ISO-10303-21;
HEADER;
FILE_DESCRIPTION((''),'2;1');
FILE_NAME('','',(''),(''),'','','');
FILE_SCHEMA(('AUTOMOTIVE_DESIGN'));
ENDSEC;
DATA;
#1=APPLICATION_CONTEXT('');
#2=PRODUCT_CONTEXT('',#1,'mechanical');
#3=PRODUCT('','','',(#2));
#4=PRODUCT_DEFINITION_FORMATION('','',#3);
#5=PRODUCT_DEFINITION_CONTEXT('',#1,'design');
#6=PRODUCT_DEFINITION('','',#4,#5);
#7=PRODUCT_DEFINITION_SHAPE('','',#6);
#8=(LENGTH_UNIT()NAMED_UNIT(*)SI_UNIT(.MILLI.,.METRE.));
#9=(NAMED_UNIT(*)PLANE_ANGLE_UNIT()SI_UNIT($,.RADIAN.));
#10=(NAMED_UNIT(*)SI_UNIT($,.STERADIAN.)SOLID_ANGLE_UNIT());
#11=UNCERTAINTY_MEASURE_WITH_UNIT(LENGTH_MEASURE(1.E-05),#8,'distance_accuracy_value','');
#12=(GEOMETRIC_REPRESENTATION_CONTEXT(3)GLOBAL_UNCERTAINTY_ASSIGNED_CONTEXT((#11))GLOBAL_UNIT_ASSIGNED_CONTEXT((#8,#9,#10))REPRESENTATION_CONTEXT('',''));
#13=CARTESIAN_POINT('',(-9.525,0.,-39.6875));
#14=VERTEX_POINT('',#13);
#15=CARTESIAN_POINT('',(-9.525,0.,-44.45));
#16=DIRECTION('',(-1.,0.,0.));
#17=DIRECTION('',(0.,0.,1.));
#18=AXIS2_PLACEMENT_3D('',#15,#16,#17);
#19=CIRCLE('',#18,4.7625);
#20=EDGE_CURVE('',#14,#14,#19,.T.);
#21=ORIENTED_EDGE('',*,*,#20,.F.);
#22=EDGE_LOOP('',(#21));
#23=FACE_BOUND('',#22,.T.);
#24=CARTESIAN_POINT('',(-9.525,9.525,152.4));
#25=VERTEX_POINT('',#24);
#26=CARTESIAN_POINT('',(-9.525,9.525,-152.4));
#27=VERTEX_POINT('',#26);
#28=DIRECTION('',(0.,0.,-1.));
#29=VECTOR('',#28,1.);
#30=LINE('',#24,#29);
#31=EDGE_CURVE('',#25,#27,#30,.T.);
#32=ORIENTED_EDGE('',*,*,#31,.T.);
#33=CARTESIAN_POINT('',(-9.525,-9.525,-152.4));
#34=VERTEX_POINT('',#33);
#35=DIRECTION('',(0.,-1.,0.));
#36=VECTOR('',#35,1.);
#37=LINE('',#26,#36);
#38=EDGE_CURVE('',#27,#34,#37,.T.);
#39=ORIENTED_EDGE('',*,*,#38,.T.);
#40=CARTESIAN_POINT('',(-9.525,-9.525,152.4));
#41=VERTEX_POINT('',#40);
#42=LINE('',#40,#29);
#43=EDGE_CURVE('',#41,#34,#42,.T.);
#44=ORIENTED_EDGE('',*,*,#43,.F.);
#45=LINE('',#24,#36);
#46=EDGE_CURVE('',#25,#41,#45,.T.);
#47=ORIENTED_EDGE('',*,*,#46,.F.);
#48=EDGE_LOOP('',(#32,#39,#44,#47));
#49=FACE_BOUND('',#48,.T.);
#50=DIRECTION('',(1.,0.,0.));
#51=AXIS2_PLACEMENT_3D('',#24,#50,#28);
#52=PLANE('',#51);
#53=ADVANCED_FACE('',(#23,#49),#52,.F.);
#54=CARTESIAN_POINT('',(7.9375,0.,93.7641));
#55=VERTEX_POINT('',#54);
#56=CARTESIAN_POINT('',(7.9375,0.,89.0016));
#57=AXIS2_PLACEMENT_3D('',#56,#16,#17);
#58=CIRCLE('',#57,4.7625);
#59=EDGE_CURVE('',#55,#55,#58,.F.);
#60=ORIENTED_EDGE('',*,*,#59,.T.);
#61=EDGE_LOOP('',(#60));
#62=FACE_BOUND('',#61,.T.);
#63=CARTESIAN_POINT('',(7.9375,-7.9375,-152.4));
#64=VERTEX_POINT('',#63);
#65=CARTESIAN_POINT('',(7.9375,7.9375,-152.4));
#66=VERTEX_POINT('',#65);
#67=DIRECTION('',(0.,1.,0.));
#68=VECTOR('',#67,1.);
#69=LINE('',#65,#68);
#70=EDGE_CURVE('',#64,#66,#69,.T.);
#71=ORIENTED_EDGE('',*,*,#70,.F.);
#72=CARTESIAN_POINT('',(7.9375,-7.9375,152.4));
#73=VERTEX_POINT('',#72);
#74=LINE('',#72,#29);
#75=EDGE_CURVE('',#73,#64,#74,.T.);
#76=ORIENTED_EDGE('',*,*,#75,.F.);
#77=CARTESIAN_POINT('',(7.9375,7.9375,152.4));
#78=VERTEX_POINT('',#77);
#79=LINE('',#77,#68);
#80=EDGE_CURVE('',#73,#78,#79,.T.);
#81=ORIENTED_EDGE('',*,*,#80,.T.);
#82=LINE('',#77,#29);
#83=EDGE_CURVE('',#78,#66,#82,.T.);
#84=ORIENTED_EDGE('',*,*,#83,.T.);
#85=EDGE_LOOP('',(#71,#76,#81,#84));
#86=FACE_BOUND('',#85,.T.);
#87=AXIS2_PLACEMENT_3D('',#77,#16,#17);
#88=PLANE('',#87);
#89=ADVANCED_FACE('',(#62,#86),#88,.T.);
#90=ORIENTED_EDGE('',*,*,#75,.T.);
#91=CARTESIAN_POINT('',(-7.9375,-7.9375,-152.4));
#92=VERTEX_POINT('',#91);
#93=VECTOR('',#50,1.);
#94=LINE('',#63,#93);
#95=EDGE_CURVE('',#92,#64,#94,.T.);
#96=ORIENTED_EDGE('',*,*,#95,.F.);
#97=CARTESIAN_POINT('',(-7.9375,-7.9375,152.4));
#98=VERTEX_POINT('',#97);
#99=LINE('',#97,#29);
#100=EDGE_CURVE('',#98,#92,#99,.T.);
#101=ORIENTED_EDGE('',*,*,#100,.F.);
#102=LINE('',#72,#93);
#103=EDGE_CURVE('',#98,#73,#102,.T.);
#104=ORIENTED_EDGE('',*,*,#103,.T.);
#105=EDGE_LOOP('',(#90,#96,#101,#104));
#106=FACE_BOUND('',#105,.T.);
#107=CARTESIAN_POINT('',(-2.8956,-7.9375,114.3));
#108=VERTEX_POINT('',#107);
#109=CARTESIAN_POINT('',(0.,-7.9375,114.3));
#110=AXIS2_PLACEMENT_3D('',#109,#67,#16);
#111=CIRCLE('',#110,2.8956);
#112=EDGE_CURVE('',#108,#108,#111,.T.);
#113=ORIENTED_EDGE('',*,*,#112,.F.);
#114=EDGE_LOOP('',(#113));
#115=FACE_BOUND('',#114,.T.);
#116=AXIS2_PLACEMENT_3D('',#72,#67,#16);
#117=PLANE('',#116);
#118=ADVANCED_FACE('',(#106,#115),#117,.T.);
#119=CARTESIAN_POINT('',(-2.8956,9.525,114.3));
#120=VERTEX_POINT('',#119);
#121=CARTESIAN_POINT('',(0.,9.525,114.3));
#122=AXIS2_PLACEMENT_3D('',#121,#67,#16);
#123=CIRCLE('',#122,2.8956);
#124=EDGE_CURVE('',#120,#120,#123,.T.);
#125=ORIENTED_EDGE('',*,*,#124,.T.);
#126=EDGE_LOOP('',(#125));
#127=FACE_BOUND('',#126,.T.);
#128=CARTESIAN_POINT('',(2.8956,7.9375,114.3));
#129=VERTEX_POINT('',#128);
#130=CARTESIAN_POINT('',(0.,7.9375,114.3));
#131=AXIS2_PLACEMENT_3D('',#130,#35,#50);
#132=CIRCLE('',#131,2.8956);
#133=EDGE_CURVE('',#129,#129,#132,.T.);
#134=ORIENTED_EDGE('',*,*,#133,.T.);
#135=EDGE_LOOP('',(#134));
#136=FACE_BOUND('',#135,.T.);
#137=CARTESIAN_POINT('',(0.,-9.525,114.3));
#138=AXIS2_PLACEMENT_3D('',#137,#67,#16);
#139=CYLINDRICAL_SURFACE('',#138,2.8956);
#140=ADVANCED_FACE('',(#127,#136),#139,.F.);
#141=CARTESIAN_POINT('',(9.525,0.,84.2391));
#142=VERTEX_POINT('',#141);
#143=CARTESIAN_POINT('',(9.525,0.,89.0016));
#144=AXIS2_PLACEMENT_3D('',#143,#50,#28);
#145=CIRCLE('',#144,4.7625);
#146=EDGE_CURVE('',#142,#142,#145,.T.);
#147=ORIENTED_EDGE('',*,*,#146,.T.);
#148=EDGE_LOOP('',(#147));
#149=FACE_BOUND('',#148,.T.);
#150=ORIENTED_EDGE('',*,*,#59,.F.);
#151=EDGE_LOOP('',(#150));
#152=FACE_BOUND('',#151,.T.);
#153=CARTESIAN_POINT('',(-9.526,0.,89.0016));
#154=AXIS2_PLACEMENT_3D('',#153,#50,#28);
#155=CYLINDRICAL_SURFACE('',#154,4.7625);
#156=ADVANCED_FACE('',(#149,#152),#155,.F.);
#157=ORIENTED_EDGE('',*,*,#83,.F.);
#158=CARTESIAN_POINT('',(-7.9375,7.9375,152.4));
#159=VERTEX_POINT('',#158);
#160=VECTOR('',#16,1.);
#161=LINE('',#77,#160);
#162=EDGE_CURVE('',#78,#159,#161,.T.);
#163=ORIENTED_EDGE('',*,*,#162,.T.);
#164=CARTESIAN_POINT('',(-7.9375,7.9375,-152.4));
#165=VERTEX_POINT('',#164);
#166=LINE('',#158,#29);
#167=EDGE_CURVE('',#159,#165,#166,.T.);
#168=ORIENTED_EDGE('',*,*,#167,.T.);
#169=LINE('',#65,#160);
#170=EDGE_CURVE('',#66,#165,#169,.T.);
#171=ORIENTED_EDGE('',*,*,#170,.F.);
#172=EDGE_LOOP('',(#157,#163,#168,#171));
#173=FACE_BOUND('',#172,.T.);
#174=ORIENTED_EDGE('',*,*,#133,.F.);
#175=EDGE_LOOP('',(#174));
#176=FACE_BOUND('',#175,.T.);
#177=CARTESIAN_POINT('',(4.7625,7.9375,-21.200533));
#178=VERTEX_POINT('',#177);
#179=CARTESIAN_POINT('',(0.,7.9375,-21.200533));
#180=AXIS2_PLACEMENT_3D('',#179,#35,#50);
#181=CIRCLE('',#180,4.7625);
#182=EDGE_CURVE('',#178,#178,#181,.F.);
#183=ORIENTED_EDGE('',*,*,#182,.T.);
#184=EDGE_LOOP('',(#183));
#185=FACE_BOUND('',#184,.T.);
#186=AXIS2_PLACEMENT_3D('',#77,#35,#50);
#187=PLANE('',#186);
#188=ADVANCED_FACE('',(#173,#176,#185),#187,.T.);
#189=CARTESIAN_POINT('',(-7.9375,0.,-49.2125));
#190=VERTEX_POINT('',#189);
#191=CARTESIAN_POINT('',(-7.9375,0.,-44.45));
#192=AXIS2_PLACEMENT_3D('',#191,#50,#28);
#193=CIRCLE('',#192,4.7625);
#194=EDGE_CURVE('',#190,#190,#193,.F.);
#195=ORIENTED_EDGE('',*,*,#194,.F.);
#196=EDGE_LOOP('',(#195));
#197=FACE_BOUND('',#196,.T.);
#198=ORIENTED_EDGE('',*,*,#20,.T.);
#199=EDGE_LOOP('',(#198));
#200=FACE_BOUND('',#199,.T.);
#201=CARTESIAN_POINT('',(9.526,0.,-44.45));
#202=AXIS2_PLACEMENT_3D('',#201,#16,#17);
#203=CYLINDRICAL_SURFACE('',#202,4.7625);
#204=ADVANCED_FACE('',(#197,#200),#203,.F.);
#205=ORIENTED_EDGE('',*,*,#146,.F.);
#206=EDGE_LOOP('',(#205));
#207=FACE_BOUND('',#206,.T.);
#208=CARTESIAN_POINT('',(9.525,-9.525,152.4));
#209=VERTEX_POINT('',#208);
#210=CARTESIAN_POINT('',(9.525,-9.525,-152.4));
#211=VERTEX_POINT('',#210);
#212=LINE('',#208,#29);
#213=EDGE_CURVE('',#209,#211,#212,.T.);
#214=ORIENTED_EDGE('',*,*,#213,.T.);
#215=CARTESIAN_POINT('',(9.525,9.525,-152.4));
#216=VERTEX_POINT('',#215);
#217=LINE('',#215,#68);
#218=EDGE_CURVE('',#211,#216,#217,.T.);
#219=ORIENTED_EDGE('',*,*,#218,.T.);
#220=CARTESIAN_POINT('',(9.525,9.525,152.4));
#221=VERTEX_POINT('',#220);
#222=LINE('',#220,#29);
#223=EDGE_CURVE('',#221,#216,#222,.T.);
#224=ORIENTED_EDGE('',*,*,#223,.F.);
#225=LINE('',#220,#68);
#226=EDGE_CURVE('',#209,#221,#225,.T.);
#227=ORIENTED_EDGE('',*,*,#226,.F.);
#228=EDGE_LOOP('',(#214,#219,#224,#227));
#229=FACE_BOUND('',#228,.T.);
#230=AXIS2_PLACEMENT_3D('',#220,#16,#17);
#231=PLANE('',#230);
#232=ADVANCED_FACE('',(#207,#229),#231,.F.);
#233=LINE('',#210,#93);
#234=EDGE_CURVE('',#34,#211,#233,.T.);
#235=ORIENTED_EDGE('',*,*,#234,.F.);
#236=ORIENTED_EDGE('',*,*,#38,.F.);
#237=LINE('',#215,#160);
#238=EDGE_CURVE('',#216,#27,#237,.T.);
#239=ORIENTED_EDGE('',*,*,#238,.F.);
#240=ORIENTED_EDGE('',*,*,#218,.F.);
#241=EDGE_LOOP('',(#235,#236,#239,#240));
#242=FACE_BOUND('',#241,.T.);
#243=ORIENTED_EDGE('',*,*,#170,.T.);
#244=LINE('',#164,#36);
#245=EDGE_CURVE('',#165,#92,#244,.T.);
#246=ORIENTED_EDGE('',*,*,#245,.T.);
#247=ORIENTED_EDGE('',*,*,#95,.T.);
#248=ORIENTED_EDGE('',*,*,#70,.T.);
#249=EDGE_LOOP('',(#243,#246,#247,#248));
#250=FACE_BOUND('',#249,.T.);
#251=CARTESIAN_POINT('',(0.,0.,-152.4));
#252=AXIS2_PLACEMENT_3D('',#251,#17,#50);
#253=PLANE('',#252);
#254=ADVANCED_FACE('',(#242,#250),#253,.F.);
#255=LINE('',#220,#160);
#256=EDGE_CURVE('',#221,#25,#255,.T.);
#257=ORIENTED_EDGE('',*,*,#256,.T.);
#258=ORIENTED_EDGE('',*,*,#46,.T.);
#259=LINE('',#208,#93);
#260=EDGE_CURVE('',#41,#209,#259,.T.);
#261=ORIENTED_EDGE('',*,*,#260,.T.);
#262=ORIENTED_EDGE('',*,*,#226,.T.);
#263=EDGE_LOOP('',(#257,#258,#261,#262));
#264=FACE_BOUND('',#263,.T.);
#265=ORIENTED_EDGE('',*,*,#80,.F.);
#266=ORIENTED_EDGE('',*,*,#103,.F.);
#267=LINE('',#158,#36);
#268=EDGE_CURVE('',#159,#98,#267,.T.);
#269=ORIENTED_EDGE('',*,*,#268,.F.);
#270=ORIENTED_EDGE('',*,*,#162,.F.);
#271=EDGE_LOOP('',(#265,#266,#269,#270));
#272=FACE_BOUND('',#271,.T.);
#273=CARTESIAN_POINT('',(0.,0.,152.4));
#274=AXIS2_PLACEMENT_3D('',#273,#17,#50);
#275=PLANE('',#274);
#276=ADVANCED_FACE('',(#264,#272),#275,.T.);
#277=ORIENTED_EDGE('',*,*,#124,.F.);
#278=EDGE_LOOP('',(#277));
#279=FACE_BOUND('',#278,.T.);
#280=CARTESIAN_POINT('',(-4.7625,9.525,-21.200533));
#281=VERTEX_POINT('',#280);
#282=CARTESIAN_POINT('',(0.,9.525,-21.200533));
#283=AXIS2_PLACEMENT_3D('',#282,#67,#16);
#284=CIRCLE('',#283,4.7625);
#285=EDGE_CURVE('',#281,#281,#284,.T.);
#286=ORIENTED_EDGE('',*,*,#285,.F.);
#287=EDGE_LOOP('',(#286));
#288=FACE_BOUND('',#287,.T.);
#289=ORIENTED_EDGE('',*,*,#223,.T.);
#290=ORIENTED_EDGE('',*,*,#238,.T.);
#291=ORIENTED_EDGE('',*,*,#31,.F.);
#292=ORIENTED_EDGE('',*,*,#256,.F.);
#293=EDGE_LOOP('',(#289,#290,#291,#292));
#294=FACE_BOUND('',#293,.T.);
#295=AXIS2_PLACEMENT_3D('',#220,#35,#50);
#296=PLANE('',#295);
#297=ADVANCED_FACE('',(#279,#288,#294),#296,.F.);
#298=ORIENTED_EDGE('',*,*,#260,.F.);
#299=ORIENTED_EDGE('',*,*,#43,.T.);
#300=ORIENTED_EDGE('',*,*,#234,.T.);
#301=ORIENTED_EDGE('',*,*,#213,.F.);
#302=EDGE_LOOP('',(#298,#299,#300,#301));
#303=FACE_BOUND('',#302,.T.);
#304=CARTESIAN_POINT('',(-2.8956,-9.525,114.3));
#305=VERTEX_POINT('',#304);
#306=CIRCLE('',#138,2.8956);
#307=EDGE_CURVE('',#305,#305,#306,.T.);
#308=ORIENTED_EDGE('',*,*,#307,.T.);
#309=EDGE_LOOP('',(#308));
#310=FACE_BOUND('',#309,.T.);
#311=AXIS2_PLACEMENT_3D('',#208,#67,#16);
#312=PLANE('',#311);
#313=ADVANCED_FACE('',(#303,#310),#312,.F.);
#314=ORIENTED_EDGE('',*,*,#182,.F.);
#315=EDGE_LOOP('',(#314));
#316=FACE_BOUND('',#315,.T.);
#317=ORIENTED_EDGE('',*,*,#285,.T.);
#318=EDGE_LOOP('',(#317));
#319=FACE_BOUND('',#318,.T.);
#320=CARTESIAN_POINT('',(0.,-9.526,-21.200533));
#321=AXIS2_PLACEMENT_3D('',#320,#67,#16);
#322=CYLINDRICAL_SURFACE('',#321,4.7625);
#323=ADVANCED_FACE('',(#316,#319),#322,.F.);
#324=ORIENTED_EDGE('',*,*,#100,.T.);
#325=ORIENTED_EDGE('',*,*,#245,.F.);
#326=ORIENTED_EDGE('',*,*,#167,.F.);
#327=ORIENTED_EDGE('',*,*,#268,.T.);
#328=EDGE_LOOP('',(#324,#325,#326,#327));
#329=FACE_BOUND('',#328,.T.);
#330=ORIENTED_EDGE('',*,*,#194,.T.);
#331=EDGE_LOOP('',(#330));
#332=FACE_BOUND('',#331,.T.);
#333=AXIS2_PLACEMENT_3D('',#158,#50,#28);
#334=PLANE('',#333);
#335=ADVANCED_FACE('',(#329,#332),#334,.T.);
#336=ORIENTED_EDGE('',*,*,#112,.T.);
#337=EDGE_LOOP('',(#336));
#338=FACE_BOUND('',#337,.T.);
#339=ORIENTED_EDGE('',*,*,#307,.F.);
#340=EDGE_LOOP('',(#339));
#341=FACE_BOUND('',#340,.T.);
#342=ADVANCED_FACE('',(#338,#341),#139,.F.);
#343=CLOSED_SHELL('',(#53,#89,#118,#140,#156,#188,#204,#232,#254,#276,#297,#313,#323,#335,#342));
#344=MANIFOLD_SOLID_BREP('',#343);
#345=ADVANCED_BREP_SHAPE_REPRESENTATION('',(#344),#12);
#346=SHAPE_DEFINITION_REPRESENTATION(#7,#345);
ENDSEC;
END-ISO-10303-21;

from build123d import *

# Parameters (mm, degrees)
SKETCH1_W                   = 19.05
SKETCH1_H                   = 19.05
SKETCH1_W_2                 = 15.875
SKETCH1_H_2                 = 15.875
BOSS_EXTRUDE1_DEPTH         = 152.4
SKETCH2_R                   = 2.8956
BASEPLATE_MOUNT_HOLE_DEPTH  = 20.05
PS_BRACKET_MOUNT_HOLE_REACH = 21.05
SKETCH3_R                   = 4.7625
CUT_EXTRUDE1_REACH          = 21.05
SKETCH4_R                   = 4.7625
CUT_EXTRUDE2_REACH          = 21.05
SKETCH5_R                   = 4.7625


with BuildPart() as part:
    # Sketch1 → Boss-Extrude1 (new body, symmetric)
    with BuildSketch(Plane(origin=(0, 0, 0), x_dir=(0, -1, 0), z_dir=(0, 0, 1))):
        Rectangle(SKETCH1_W, SKETCH1_H)
        Rectangle(SKETCH1_W_2, SKETCH1_H_2, mode=Mode.SUBTRACT)
    extrude(amount=BOSS_EXTRUDE1_DEPTH, both=True)

    # Sketch2 → Baseplate Mount Hole (cut, through all)
    with BuildSketch(Plane(origin=(0, 9.525, 0), x_dir=(1, 0, 0), z_dir=(0, 1, 0))):
        with Locations((0, -114.3)):
            Circle(SKETCH2_R)
    extrude(amount=-BASEPLATE_MOUNT_HOLE_DEPTH, mode=Mode.SUBTRACT)

    # Sketch3 → PS Bracket Mount Hole (cut, up to next)
    with BuildSketch(Plane.ZY.offset(9.525), mode=Mode.PRIVATE) as ps_bracket_mount_hole_sk1:
        with Locations((-44.45, 0)):
            Circle(SKETCH3_R)
    ps_bracket_mount_hole_tool1 = extrude(ps_bracket_mount_hole_sk1.sketch, amount=-PS_BRACKET_MOUNT_HOLE_REACH, mode=Mode.PRIVATE) & part.part
    add(ps_bracket_mount_hole_tool1.solids().sort_by_distance((-9.525, 0, -44.45))[0], mode=Mode.SUBTRACT)

    # Sketch4 → Cut-Extrude1 (cut, up to next)
    with BuildSketch(Plane(origin=(0, 9.525, 0), x_dir=(1, 0, 0), z_dir=(0, 1, 0)), mode=Mode.PRIVATE) as cut_extrude1_sk1:
        with Locations((0, 21.200533333)):
            Circle(SKETCH4_R)
    cut_extrude1_tool1 = extrude(cut_extrude1_sk1.sketch, amount=-CUT_EXTRUDE1_REACH, mode=Mode.PRIVATE) & part.part
    add(cut_extrude1_tool1.solids().sort_by_distance((0, 9.525, -21.200533))[0], mode=Mode.SUBTRACT)

    # Sketch5 → Cut-Extrude2 (cut, up to next)
    with BuildSketch(Plane(origin=(9.525, 0, 0), x_dir=(0, 0, -1), z_dir=(1, 0, 0)), mode=Mode.PRIVATE) as cut_extrude2_sk1:
        with Locations((-89.0016, 0)):
            Circle(SKETCH5_R)
    cut_extrude2_tool1 = extrude(cut_extrude2_sk1.sketch, amount=-CUT_EXTRUDE2_REACH, mode=Mode.PRIVATE) & part.part
    add(cut_extrude2_tool1.solids().sort_by_distance((9.525, 0, 89.0016))[0], mode=Mode.SUBTRACT)


solid = part.part
